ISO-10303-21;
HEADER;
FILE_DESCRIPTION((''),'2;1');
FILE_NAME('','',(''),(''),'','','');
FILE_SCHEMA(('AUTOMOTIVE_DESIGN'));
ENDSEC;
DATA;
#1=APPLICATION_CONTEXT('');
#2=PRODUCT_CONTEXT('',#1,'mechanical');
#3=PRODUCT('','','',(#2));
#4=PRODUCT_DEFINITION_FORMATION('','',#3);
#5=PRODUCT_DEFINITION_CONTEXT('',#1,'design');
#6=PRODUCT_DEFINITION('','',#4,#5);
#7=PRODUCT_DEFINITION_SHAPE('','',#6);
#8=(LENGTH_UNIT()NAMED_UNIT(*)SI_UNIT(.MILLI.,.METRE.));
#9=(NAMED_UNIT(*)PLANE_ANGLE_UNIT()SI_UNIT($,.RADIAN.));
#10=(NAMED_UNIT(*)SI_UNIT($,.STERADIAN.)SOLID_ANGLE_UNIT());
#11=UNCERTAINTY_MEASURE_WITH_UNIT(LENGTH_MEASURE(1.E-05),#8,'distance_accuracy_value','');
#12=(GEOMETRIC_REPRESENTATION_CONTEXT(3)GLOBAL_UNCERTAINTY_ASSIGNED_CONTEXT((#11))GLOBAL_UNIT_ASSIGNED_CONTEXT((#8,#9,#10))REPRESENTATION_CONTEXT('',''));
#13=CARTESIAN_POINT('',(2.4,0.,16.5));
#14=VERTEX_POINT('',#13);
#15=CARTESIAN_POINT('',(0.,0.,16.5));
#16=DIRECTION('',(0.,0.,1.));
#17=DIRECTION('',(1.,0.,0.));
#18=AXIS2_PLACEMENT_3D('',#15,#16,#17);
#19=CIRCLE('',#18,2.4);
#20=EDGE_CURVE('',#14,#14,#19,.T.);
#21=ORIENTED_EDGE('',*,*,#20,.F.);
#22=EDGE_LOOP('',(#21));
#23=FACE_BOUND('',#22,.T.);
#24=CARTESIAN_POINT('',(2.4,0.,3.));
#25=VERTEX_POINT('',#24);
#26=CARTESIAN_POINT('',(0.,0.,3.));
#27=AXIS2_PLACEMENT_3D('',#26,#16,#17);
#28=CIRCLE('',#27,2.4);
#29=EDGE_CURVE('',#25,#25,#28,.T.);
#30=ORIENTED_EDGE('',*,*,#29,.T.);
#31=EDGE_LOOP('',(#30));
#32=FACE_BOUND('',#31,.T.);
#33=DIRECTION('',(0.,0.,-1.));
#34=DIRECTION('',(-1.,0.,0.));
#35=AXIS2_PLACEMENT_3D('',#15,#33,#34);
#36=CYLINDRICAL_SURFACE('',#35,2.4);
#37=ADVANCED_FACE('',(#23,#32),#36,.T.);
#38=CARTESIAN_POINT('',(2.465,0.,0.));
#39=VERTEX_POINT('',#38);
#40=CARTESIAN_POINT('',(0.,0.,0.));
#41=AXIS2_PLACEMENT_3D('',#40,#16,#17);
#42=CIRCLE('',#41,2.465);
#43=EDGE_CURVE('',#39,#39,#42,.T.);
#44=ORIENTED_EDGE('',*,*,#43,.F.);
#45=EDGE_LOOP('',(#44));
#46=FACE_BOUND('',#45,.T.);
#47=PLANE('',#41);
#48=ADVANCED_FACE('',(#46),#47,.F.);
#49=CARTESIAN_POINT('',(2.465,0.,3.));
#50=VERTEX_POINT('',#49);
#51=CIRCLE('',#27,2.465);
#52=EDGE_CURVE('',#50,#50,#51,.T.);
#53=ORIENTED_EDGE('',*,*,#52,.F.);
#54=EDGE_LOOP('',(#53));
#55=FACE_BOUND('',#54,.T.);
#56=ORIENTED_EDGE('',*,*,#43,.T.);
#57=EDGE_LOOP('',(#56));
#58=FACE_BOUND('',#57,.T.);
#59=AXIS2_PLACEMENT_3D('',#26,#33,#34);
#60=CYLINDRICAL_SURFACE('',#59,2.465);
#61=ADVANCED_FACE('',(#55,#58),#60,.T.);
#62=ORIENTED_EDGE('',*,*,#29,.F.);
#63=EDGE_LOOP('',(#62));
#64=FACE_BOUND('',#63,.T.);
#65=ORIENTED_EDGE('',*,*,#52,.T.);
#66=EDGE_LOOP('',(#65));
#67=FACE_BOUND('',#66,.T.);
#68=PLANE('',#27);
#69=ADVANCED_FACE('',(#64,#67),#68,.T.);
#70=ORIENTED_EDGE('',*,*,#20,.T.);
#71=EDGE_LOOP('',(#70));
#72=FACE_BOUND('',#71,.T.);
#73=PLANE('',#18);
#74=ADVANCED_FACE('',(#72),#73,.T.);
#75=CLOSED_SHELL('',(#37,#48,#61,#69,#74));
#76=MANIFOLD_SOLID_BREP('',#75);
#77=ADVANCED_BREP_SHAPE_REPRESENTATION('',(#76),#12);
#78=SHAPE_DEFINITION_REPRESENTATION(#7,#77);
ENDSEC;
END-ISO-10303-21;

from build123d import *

# Parameters (mm, degrees)
SKETCH_1_R      = 2.465
EXTRUDE_1_DEPTH = 3
SKETCH_2_R      = 2.4
EXTRUDE_2_DEPTH = 13.5


with BuildPart() as part:
    # 스케치1 → 보스-돌출1 (new body)
    with BuildSketch(Plane.XY):
        Circle(SKETCH_1_R)
    extrude(amount=EXTRUDE_1_DEPTH)

    # 스케치2 → 보스-돌출2 (add)
    with BuildSketch(Plane.XY.offset(3)):
        Circle(SKETCH_2_R)
    extrude(amount=EXTRUDE_2_DEPTH)


solid = part.part
